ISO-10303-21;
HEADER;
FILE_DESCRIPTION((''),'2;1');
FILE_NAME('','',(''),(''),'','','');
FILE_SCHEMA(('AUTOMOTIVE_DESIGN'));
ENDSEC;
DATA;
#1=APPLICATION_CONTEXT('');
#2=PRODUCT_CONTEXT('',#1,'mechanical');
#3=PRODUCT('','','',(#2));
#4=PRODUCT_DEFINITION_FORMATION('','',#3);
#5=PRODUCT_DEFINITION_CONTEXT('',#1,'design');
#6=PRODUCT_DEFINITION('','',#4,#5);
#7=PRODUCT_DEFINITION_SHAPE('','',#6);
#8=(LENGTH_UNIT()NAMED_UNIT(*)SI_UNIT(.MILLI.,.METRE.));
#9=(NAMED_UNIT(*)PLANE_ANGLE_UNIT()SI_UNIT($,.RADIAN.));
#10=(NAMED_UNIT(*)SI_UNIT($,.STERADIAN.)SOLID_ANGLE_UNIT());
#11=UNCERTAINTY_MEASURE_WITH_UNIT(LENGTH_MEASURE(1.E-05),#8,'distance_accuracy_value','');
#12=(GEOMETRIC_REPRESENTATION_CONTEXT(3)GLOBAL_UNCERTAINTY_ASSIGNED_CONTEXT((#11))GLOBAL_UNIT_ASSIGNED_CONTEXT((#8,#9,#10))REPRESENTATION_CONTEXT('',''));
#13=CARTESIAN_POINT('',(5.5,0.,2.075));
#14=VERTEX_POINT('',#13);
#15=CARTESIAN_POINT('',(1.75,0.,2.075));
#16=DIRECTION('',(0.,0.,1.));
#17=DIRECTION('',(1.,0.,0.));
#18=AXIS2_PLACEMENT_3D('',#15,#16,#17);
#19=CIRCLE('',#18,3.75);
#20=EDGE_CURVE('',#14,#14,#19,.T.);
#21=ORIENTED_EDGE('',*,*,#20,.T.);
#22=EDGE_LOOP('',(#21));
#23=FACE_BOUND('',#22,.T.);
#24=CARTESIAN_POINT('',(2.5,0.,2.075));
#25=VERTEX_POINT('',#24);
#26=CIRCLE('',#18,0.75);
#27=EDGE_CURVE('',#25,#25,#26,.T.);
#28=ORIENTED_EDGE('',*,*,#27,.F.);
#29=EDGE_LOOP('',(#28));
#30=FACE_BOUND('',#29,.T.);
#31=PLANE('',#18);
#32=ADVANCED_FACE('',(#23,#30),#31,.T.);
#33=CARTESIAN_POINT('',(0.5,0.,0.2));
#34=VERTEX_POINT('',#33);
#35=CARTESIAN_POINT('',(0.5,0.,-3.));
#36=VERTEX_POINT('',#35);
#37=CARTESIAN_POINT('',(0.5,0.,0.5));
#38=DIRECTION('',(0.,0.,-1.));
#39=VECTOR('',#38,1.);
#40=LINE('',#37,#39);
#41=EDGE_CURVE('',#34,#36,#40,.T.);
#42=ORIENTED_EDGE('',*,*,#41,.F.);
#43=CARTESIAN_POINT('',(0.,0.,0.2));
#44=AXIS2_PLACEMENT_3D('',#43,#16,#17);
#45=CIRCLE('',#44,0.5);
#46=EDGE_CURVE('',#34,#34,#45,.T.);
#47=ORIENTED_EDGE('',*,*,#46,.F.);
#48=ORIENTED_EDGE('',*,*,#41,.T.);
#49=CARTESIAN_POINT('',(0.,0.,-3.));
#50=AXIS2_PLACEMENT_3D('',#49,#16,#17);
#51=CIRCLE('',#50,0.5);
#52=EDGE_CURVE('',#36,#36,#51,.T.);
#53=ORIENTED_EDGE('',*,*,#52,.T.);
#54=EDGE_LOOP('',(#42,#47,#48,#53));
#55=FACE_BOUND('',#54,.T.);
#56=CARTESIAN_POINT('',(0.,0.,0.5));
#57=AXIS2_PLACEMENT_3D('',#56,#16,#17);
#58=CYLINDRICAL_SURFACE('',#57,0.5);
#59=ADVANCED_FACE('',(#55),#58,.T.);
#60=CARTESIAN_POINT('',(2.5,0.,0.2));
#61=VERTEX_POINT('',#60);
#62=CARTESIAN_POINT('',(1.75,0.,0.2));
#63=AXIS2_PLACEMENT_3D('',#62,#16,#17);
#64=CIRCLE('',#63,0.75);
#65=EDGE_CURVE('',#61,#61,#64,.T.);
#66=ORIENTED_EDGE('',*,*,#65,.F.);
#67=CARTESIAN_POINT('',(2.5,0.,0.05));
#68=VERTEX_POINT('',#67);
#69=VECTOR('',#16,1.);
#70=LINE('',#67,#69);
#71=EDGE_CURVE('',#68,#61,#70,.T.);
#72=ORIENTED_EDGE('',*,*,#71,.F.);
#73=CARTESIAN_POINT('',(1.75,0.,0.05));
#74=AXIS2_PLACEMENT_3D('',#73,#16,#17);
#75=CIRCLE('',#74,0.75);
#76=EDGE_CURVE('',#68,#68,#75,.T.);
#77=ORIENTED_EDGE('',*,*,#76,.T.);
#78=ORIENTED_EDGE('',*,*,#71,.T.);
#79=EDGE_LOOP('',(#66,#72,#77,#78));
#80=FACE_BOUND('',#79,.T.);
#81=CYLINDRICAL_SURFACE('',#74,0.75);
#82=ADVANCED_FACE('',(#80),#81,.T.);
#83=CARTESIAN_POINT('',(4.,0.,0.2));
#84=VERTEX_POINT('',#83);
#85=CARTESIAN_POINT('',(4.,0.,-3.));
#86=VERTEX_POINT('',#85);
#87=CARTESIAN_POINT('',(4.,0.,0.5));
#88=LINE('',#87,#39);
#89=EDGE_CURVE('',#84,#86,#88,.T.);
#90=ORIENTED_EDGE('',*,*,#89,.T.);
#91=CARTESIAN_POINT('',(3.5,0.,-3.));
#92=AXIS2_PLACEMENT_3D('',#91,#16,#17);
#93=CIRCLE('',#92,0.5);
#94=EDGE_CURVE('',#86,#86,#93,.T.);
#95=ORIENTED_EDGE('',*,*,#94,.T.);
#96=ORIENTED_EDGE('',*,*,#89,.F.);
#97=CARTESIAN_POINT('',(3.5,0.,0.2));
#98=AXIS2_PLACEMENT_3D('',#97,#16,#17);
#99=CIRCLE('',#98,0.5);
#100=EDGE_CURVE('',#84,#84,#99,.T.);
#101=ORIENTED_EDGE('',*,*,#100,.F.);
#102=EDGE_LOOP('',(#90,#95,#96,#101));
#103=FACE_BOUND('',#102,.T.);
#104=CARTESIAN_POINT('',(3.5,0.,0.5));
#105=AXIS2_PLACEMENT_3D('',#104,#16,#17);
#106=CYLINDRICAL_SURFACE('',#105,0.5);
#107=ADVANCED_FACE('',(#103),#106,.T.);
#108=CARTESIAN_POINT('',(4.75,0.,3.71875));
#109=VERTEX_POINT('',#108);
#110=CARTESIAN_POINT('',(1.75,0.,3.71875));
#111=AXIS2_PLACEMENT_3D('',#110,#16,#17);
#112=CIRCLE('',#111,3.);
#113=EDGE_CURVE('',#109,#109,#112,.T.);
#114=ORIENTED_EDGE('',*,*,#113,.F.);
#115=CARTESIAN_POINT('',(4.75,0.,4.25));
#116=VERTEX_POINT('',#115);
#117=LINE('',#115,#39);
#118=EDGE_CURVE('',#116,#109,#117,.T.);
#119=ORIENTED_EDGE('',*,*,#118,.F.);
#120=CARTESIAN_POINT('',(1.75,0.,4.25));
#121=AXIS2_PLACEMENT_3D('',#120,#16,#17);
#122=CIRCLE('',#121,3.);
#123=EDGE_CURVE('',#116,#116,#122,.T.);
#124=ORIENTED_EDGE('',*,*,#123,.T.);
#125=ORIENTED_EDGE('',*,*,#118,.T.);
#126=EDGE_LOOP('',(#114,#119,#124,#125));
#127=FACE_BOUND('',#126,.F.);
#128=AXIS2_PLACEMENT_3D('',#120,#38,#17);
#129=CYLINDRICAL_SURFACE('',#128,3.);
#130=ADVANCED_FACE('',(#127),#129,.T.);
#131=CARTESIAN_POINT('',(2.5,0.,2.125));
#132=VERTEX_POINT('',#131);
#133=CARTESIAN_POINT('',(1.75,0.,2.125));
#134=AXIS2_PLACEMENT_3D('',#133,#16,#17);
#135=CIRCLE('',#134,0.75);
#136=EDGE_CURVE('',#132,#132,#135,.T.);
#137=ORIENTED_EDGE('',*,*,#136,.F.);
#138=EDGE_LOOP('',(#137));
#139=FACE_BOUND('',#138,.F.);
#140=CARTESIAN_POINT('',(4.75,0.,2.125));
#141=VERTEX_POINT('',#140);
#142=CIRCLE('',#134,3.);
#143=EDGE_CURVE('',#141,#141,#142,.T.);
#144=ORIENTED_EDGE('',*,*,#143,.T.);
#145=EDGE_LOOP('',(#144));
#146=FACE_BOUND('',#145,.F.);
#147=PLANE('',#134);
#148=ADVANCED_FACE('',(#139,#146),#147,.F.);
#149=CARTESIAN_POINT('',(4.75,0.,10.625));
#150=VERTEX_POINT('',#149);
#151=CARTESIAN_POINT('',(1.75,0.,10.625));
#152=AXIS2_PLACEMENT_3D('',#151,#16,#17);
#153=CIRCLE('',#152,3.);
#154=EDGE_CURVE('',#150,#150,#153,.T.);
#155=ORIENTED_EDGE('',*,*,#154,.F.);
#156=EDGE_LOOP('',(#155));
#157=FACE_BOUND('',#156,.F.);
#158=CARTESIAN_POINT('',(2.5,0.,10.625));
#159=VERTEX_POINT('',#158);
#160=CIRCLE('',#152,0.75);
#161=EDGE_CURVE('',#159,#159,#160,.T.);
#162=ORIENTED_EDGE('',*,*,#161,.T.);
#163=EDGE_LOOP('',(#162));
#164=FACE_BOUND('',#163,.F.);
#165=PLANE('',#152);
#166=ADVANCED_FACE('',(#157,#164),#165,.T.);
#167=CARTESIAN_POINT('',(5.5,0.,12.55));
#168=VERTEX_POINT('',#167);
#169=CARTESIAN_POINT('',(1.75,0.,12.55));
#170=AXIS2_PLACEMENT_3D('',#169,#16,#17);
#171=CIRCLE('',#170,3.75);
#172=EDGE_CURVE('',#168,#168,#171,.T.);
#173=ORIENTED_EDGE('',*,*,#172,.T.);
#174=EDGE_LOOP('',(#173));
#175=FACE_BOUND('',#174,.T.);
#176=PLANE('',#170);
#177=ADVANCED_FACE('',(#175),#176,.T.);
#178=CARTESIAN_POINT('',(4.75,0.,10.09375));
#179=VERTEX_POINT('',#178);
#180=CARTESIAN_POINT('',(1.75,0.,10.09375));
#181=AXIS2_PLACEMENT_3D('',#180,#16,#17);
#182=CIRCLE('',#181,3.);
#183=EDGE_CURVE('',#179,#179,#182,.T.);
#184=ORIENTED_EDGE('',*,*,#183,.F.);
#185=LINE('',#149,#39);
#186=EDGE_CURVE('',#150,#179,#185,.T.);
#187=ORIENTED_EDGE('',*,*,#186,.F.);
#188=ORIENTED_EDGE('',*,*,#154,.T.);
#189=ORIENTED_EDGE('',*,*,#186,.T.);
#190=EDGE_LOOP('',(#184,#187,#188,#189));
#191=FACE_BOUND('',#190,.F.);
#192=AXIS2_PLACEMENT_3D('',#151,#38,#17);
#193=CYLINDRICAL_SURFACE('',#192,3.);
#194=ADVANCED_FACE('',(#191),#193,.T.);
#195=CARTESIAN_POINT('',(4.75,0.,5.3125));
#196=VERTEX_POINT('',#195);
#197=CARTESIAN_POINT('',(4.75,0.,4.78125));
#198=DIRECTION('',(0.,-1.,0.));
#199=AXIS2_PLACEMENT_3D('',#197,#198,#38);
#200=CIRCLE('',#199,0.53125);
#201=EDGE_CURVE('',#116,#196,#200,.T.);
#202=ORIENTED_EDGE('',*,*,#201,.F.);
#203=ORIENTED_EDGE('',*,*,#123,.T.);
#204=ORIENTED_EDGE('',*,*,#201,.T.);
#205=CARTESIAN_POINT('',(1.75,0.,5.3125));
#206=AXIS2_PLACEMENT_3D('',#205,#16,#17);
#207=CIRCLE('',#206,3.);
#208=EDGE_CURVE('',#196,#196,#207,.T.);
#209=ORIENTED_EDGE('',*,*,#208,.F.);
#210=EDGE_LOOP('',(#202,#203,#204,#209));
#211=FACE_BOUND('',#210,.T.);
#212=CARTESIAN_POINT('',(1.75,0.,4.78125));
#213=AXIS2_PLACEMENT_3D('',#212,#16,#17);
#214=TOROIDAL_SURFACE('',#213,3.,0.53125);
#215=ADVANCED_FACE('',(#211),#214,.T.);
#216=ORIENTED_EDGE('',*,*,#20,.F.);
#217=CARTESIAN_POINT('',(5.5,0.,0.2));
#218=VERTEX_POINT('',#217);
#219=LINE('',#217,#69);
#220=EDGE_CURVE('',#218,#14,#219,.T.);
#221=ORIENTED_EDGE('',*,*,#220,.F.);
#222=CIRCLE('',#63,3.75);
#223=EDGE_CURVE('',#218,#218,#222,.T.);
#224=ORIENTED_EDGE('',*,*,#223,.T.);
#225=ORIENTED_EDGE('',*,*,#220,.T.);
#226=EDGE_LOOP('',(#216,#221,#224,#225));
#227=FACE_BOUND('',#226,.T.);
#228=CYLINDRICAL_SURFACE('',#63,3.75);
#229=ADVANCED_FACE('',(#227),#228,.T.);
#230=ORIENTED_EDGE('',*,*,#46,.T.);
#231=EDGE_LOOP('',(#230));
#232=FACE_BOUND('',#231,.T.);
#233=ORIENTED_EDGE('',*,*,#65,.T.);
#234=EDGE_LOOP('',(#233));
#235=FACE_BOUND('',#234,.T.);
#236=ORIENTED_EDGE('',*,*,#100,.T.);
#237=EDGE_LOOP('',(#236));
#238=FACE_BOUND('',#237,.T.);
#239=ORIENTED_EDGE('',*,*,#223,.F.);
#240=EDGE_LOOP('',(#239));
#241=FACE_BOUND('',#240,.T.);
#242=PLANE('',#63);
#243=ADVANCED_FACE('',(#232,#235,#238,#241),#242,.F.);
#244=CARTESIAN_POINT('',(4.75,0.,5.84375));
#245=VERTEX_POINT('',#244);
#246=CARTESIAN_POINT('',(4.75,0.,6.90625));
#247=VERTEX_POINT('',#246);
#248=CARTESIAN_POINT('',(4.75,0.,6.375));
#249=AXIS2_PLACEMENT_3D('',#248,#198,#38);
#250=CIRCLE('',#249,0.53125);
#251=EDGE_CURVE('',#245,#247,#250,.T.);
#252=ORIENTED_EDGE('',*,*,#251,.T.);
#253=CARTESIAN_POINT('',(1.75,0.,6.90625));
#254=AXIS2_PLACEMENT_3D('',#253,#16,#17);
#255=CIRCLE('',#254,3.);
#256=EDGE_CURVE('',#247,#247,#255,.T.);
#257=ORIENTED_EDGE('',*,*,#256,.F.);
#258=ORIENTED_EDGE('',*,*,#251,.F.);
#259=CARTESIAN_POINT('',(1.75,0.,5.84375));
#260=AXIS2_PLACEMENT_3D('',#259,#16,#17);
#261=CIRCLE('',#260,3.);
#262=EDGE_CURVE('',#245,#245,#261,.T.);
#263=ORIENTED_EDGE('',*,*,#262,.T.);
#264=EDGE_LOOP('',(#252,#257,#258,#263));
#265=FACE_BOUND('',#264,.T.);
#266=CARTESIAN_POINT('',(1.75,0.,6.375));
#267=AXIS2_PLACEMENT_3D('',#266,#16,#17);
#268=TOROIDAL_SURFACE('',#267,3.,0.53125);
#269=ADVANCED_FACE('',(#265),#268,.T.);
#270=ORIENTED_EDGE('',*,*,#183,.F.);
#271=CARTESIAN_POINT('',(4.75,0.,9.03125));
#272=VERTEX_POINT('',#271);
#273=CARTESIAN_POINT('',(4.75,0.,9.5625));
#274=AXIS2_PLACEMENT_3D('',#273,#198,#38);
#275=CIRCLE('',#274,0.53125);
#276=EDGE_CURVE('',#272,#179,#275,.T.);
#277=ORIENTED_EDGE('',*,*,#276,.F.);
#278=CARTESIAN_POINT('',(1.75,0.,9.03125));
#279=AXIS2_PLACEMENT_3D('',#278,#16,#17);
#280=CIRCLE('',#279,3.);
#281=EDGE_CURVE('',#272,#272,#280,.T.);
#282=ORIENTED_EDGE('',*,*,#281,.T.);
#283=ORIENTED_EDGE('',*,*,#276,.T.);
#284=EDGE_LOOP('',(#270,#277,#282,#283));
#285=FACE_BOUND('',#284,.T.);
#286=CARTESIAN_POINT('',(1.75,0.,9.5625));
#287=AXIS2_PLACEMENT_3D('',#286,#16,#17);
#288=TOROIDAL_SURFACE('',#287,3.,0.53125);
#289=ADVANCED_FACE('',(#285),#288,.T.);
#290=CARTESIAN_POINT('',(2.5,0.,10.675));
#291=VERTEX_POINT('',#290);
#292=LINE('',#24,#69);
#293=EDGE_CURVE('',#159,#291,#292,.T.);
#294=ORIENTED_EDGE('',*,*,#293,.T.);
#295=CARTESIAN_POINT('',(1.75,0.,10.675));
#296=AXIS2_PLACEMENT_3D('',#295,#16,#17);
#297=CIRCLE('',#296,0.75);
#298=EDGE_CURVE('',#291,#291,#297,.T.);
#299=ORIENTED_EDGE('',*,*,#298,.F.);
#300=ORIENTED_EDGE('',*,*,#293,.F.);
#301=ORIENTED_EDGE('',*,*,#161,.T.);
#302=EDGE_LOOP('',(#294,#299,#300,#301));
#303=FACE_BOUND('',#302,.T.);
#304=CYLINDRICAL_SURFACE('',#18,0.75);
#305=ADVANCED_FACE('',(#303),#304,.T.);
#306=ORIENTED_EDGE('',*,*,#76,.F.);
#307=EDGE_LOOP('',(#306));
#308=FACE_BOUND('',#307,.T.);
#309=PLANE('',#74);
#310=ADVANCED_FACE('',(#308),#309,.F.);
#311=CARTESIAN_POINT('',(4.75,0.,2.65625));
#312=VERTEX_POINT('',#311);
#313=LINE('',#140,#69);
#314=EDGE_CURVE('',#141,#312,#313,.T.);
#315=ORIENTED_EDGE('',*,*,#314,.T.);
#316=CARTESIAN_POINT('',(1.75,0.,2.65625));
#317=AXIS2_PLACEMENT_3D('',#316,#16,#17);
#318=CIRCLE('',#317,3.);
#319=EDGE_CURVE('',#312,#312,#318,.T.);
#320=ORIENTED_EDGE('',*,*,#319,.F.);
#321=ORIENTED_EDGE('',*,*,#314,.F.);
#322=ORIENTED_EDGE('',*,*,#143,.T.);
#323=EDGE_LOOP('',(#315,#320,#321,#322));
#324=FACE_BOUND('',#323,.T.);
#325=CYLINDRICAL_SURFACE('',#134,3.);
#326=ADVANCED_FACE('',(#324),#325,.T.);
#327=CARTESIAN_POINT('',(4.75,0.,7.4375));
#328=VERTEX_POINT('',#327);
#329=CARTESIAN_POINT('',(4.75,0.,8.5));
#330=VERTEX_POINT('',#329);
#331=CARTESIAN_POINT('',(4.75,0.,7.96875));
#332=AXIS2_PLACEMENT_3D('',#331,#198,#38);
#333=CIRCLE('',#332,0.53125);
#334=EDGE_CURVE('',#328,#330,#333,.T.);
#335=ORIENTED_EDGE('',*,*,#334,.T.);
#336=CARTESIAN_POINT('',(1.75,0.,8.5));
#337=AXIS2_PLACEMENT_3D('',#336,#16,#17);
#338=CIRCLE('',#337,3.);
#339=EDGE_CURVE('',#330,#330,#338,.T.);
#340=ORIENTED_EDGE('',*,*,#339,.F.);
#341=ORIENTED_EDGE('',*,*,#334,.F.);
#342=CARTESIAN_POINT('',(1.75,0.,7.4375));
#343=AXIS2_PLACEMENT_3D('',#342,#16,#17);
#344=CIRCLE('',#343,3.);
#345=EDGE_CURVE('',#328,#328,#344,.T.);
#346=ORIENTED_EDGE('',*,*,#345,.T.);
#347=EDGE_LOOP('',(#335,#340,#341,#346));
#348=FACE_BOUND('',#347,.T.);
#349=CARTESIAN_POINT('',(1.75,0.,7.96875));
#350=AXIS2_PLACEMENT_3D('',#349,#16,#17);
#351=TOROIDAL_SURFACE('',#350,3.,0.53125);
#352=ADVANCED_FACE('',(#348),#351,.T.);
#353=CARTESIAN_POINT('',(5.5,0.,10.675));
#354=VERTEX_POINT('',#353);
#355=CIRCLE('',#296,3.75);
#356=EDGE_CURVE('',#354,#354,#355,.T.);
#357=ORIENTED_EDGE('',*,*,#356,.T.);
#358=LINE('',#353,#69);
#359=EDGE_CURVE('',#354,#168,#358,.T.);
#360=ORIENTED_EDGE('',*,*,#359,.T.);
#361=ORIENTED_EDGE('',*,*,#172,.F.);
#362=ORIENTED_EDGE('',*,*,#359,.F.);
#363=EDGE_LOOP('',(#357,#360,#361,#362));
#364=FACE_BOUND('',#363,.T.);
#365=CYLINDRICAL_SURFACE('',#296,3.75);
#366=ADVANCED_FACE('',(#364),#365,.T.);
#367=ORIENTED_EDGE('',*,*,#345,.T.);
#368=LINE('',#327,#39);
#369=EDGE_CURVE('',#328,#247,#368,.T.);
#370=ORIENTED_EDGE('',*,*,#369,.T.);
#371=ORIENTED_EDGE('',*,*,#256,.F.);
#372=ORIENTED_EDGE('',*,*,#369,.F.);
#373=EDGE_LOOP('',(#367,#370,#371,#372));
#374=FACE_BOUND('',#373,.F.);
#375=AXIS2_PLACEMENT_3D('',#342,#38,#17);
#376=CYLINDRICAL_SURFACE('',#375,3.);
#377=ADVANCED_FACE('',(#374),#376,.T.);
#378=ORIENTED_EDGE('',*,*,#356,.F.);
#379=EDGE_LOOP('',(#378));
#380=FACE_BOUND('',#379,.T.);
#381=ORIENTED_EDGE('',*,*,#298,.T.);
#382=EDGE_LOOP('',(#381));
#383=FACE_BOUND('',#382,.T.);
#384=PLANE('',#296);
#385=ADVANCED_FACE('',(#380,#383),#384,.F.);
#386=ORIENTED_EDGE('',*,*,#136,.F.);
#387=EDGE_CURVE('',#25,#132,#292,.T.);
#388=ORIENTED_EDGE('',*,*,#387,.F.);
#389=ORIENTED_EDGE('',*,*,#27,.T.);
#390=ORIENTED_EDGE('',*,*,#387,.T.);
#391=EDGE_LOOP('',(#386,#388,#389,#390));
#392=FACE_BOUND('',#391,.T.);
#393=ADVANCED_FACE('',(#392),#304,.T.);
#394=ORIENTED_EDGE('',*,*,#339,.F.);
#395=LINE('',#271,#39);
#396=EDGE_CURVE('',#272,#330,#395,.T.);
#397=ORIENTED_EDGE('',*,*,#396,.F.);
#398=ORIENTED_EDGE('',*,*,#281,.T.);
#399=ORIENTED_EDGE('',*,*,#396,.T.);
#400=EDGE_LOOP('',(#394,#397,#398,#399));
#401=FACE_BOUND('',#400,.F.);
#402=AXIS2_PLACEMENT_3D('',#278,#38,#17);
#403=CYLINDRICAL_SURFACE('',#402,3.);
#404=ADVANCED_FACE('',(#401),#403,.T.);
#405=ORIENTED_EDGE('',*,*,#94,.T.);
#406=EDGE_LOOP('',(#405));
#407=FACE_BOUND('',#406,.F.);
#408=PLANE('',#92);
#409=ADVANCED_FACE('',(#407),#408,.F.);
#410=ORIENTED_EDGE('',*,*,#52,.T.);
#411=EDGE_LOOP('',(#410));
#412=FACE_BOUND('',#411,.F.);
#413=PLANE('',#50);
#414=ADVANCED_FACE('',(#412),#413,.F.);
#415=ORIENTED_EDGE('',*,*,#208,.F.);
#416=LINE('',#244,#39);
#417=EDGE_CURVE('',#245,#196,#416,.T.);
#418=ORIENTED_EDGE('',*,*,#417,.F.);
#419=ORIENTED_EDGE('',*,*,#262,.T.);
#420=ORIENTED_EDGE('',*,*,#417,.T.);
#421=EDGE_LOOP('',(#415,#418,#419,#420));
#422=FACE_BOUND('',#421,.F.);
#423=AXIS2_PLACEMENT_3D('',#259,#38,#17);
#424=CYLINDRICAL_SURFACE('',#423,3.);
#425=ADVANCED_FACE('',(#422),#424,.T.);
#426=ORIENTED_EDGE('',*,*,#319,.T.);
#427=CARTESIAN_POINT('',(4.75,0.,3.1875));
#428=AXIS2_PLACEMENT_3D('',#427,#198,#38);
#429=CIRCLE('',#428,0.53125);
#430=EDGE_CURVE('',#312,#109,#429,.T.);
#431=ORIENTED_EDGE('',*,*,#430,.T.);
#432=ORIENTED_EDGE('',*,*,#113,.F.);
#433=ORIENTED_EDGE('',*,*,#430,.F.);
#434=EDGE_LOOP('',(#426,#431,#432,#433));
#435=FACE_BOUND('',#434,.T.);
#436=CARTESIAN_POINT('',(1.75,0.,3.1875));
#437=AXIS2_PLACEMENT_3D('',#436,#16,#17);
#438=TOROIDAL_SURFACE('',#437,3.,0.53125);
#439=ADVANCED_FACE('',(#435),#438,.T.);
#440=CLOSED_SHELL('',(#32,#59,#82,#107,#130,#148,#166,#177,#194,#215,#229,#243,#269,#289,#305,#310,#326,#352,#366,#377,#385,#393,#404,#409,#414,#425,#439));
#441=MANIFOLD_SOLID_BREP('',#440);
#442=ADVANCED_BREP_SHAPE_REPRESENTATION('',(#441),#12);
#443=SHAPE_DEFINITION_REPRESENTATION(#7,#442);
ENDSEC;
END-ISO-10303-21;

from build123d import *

# Parameters (mm, degrees)
SKETCH001_R  = 0.5
PAD001_DEPTH = 3.5


with BuildPart() as revolution:
    # Sketch → Revolution (revolve)
    with BuildSketch(Plane(origin=(1.75, 0, 0), x_dir=(1, 0, 0), z_dir=(0, -1, 0))):
        Polygon((0, 0.05), (0.75, 0.05), (0.75, 0.2), (3.75, 0.2), (3.75, 2.075), (0.75, 2.075), (0.75, 10.675), (3.75, 10.675), (3.75, 12.55), (0, 12.55), align=None)
    revolve(axis=Axis((1.75, 0, 0), (0, 0, 1)))


with BuildPart() as pad001:
    # Sketch001 → Pad001 (new body)
    with BuildSketch(Plane.XY.offset(0.5)):
        Circle(SKETCH001_R)
        with Locations((3.5, 0)):
            Circle(SKETCH001_R)
    extrude(amount=-PAD001_DEPTH)


with BuildPart() as l_radial_d7_5mm_p3_50mm_fastron_07p:
    # Sketch002 → Revolution001 (revolve)
    with BuildSketch(Plane(origin=(1.75, 0, 0), x_dir=(1, 0, 0), z_dir=(0, -1, 0))):
        with BuildLine():
            Line((3, 2.125), (0.75, 2.125))
            Line((0.75, 2.125), (0.75, 10.625))
            Line((0.75, 10.625), (3, 10.625))
            Line((3, 10.625), (3, 10.09375))
            ThreePointArc((3, 9.03125), (3.53125, 9.5625), (3, 10.09375))
            Line((3, 9.03125), (3, 8.5))
            ThreePointArc((3, 7.4375), (3.53125, 7.96875), (3, 8.5))
            Line((3, 7.4375), (3, 6.90625))
            ThreePointArc((3, 5.84375), (3.53125, 6.375), (3, 6.90625))
            Line((3, 5.84375), (3, 5.3125))
            ThreePointArc((3, 4.25), (3.53125, 4.78125), (3, 5.3125))
            Line((3, 4.25), (3, 3.71875))
            ThreePointArc((3, 2.65625), (3.53125, 3.1875), (3, 3.71875))
            Line((3, 2.125), (3, 2.65625))
        make_face()
    revolve(axis=Axis((1.75, 0, 0), (0, 0, 1)))

    # Revolution001_mp_cp: union Revolution, Pad001
    add(revolution.part)
    add(pad001.part)


solid = l_radial_d7_5mm_p3_50mm_fastron_07p.part
